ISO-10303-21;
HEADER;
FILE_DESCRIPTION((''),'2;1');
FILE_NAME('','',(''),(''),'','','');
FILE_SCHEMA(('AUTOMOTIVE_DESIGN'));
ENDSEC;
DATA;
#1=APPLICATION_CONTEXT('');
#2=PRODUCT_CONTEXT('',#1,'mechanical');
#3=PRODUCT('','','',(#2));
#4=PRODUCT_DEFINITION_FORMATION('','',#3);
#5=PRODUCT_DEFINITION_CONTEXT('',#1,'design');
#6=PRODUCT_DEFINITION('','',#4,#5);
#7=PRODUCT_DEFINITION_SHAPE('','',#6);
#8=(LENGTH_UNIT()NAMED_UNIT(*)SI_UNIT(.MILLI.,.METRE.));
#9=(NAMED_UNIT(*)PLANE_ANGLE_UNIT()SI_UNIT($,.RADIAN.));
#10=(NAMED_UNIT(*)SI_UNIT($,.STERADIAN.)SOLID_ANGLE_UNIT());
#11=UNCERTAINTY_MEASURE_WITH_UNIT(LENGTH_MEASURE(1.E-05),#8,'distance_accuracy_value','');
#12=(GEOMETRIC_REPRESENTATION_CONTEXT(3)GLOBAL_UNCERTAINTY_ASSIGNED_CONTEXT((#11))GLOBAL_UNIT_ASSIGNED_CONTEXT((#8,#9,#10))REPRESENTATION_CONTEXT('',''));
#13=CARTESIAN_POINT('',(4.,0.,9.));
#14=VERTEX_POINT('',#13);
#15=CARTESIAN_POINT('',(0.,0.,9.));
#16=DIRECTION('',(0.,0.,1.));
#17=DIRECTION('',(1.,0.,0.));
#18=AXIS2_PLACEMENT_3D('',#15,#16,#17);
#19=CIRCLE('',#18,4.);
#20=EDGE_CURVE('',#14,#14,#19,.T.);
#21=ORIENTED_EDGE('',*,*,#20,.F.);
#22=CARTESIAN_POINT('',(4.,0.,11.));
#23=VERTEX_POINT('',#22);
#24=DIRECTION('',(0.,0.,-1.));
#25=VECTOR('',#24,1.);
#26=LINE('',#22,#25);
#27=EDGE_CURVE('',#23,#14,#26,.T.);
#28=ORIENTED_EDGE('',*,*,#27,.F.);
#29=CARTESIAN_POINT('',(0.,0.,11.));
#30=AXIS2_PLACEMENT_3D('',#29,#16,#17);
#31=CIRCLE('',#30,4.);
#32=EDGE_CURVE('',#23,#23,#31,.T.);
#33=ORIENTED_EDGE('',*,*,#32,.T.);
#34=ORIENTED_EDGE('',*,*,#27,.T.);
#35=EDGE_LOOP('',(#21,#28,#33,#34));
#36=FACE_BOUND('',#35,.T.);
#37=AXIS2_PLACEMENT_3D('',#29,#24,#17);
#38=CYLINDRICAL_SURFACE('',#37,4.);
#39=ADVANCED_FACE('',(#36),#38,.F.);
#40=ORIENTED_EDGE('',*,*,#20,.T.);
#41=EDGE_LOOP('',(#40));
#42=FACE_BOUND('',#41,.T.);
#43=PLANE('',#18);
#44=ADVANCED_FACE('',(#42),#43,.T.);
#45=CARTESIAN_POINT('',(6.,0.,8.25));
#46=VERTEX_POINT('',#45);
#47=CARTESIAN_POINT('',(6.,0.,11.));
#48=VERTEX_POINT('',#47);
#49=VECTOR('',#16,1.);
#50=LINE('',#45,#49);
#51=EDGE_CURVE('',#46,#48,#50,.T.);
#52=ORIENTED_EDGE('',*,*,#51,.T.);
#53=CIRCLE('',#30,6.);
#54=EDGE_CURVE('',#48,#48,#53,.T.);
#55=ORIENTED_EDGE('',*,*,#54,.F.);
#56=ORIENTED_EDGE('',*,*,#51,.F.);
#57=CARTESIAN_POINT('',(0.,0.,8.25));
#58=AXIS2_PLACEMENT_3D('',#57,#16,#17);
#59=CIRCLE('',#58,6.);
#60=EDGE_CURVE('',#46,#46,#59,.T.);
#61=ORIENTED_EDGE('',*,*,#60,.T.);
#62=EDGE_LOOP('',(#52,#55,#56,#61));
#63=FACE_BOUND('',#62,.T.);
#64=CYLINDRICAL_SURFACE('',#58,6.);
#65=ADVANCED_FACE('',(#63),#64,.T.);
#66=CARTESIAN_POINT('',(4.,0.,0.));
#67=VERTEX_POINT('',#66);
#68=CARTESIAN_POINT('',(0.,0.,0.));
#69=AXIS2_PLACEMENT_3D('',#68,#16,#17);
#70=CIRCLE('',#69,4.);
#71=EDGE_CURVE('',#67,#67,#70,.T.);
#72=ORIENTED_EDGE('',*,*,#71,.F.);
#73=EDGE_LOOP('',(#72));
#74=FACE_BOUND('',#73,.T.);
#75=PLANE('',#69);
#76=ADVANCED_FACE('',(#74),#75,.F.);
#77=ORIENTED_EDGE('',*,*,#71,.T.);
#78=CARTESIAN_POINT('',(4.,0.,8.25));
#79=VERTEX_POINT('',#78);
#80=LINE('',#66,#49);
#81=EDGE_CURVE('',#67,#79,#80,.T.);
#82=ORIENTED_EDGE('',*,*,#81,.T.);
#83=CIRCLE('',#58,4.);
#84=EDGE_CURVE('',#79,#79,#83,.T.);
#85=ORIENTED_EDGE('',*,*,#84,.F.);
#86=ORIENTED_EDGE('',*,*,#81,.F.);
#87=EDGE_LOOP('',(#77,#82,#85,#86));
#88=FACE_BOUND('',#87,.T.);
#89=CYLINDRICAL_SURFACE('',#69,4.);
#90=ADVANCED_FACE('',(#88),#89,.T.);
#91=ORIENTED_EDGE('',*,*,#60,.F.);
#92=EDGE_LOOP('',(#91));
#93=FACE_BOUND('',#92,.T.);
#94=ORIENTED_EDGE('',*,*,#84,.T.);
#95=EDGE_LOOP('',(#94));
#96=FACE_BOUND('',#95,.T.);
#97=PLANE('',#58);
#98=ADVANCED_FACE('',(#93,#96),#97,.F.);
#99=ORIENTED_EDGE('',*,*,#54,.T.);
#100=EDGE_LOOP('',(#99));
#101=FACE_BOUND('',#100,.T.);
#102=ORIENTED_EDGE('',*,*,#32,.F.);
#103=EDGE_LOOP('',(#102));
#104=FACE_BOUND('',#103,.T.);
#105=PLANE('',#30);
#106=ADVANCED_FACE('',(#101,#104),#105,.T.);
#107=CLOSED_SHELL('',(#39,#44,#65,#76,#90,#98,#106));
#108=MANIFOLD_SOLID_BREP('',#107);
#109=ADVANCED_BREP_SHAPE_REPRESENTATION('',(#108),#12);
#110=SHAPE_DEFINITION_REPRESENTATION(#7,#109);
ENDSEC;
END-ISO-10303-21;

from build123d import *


with BuildPart() as f1:
    # F0 (on Front) → F1 (revolve)
    with BuildSketch(Plane.XZ):
        Polygon((0, 8), (0, 0), (4, 0), (4, 8.25), (4, 9), (0, 9), align=None)
        Polygon((4, 9), (4, 8.25), (6, 8.25), (6, 11), (4, 11), align=None)
    revolve(axis=Axis((0, 0, 4), (0, 0, 1)))


solid = f1.part
